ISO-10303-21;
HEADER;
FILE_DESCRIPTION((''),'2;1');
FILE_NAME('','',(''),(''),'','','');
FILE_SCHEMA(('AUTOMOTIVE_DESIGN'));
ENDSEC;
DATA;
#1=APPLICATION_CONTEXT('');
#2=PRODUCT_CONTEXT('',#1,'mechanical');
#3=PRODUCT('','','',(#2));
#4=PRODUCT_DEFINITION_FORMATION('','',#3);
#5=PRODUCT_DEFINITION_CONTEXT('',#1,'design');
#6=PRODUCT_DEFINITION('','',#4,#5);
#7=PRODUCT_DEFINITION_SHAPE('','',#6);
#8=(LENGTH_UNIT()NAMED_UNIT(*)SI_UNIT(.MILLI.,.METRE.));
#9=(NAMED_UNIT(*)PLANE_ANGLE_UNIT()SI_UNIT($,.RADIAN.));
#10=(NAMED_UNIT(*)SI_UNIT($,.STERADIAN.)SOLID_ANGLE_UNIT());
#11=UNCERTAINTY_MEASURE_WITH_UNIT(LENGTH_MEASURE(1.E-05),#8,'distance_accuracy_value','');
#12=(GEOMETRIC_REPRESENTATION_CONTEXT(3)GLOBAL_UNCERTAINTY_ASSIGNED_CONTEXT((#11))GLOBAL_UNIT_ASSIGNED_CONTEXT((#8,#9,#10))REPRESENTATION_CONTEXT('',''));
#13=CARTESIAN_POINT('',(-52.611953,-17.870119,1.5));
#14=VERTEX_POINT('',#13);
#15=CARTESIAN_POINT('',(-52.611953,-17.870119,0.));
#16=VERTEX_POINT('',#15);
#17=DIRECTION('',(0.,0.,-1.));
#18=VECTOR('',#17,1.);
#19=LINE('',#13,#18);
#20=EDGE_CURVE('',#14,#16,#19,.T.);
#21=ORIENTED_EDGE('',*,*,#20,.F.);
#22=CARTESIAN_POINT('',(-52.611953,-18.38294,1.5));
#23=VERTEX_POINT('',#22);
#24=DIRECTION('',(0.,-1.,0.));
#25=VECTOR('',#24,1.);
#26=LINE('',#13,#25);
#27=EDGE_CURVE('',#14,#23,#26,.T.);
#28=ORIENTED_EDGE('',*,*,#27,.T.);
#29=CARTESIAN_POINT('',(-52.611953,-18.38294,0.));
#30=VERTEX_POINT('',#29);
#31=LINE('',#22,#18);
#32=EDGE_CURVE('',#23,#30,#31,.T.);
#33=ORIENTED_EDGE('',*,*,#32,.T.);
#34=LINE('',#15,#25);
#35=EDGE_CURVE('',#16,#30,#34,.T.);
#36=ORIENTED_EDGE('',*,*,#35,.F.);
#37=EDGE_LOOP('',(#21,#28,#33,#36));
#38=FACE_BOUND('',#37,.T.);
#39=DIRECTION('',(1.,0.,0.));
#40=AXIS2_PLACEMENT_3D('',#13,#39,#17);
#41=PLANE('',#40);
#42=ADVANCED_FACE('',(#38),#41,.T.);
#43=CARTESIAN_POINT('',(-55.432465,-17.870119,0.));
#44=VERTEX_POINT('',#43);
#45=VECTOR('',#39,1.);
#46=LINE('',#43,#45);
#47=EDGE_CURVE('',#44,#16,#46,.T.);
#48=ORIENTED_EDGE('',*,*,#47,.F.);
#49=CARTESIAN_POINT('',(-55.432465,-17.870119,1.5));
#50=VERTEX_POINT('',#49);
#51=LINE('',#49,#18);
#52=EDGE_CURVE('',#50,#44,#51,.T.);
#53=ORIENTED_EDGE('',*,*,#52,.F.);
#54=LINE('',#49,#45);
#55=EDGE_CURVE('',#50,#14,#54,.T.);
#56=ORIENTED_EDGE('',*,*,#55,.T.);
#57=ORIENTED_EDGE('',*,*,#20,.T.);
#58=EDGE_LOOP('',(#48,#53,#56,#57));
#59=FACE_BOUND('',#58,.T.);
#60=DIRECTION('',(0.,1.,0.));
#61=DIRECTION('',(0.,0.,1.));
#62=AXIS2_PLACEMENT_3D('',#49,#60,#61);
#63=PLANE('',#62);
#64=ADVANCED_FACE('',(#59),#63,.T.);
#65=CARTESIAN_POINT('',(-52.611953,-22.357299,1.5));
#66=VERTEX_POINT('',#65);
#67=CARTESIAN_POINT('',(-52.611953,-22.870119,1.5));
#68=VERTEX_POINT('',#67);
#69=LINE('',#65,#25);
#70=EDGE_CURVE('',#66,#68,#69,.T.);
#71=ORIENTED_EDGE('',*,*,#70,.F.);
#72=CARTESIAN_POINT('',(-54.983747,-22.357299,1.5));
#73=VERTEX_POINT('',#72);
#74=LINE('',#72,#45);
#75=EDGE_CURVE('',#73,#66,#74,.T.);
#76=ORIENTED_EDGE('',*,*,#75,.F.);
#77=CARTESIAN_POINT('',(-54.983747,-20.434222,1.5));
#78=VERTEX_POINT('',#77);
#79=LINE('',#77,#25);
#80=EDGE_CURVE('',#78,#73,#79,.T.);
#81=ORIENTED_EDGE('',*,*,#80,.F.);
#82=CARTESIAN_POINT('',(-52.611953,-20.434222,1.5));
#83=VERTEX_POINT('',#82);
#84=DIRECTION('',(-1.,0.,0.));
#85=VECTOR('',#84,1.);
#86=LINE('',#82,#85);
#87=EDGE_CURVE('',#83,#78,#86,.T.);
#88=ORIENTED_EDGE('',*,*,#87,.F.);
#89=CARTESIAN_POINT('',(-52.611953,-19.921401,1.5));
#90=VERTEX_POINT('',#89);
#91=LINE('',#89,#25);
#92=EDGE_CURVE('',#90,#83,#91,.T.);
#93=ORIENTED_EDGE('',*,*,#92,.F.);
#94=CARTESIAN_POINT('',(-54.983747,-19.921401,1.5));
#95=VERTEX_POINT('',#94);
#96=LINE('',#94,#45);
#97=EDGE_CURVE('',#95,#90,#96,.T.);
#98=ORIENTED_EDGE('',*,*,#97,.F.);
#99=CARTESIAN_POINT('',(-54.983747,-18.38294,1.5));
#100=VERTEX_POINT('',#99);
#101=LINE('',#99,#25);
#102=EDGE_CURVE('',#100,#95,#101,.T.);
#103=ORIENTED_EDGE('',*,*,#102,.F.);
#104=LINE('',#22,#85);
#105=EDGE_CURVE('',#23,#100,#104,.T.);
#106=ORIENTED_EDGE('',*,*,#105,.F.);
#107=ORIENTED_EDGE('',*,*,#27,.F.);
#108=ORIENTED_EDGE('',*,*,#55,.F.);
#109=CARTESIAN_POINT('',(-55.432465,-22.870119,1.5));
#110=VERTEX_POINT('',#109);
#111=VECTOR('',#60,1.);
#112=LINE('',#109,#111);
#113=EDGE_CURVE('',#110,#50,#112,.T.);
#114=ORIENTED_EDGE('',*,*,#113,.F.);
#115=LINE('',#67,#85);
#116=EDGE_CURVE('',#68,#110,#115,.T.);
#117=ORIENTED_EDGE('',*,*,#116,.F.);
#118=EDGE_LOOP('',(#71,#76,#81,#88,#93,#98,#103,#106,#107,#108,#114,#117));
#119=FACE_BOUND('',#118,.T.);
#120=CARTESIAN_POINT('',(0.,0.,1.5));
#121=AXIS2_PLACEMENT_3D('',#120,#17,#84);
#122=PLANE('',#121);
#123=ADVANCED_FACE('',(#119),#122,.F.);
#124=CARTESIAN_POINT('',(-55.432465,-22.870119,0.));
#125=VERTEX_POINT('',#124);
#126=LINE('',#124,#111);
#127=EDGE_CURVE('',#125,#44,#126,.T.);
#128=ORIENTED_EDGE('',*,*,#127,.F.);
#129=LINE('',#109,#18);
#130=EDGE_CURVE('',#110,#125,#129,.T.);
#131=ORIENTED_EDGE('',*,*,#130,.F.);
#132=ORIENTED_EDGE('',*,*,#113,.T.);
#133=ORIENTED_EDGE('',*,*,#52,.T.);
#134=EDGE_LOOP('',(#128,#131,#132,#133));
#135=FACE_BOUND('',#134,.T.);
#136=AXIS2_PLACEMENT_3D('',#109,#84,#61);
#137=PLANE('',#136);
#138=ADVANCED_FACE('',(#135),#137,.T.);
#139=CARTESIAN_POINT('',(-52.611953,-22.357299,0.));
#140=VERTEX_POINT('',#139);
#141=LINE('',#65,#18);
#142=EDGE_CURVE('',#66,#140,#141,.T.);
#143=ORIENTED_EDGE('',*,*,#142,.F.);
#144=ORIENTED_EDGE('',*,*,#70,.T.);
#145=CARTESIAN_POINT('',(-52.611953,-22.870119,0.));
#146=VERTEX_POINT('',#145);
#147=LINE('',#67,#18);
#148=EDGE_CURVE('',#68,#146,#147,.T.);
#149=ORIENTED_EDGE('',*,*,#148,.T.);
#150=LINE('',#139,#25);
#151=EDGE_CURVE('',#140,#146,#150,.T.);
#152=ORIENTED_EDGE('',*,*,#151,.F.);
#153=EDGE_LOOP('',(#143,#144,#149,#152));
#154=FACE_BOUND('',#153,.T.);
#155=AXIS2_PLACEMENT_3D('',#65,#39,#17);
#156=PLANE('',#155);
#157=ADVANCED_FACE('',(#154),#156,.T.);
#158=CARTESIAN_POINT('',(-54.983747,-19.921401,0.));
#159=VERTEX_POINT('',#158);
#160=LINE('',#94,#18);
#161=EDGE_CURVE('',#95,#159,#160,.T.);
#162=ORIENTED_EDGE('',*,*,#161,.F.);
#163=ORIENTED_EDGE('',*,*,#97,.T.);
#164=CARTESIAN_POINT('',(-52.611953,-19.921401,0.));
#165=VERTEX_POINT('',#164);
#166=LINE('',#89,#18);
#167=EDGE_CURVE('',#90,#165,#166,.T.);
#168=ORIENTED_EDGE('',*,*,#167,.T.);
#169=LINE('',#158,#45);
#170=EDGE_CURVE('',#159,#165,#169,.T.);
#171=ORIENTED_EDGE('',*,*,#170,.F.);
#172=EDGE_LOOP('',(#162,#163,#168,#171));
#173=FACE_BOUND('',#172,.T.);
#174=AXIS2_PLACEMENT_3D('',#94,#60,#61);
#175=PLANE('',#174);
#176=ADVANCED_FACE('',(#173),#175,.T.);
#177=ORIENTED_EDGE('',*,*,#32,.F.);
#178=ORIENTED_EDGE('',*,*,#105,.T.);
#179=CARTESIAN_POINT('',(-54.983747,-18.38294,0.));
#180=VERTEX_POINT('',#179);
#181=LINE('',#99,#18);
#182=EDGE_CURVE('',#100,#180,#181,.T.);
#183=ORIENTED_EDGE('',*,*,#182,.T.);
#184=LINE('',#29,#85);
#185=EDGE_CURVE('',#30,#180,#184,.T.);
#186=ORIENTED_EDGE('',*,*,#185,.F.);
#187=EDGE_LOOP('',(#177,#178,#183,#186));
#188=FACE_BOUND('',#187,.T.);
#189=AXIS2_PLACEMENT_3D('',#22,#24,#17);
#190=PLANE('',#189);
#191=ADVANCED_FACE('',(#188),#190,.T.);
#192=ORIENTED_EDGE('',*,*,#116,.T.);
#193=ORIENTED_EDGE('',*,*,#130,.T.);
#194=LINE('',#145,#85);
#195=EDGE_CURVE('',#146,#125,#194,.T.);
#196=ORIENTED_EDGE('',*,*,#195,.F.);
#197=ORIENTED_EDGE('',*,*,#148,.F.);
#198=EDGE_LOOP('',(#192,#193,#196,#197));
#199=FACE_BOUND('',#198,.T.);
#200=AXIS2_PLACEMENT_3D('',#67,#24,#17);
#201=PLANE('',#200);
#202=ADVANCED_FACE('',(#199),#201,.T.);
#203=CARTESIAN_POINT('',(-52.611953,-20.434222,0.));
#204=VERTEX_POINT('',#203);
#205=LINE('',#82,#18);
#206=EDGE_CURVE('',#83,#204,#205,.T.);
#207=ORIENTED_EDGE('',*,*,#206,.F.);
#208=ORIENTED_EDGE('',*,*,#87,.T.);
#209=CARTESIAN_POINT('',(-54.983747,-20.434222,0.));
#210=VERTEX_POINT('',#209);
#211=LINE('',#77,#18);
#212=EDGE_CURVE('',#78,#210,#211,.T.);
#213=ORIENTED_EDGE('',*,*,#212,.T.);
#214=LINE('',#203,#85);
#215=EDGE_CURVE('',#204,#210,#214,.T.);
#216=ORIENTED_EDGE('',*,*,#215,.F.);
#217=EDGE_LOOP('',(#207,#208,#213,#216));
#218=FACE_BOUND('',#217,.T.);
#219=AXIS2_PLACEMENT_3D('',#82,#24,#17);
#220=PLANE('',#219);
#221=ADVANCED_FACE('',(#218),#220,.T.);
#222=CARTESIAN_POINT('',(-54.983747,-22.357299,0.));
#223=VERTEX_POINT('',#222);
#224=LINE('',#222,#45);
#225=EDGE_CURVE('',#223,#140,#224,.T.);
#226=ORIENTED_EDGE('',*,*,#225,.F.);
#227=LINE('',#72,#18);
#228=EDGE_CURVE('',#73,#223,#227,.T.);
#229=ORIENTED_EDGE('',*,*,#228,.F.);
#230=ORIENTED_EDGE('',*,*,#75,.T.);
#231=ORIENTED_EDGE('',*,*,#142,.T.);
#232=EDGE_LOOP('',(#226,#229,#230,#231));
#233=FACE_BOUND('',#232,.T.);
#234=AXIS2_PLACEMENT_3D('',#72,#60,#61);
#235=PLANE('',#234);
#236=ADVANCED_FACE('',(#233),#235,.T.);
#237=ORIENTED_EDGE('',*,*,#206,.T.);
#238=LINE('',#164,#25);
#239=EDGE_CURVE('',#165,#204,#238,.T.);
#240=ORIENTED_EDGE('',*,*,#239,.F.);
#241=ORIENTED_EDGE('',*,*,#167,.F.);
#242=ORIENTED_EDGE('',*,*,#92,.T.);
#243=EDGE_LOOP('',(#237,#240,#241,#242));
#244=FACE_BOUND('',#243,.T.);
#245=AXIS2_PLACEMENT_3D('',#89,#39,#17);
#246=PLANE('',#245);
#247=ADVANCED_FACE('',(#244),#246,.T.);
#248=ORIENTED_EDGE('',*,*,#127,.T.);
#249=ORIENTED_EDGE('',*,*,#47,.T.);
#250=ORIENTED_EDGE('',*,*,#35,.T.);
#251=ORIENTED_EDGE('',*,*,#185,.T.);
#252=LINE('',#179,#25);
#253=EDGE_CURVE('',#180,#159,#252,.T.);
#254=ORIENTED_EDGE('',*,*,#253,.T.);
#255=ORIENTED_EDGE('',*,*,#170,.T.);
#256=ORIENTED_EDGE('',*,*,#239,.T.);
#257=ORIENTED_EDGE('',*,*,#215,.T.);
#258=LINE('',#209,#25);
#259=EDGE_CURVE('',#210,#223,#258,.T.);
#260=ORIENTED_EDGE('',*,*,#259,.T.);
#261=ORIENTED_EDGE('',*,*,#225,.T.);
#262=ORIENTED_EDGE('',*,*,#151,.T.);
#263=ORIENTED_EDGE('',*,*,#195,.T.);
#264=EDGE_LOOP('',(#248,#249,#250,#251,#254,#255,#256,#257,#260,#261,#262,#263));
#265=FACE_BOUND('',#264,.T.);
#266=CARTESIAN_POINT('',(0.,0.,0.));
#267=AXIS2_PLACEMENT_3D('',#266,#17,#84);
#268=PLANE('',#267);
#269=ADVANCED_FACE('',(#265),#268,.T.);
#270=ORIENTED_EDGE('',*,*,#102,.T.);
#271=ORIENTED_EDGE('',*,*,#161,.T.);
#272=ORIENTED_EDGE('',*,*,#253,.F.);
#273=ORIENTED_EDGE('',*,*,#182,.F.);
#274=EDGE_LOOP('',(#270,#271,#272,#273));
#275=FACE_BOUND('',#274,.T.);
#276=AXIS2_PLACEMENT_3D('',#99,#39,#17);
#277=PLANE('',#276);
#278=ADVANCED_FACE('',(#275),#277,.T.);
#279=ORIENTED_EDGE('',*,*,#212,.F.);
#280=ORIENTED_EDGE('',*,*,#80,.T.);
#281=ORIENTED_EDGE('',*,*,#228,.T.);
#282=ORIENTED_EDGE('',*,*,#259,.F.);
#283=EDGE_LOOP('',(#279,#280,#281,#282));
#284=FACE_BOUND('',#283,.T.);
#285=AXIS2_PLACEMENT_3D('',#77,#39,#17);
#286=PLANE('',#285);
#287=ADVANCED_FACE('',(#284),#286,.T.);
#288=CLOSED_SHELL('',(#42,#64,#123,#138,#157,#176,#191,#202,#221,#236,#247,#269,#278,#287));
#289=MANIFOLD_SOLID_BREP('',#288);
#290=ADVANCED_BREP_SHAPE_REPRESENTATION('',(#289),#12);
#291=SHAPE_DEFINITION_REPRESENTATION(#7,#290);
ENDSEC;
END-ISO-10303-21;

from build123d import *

# Parameters (mm, degrees)
BOSS_EXTRU_1_DEPTH = 1.5


with BuildPart() as part:
    # Esquisse1 → Boss.-Extru.1 (new body)
    with BuildSketch(Plane.XY):
        Polygon((-55.432465326, -17.870119076), (-52.611952505, -17.870119076), (-52.611952505, -18.382939589), (-54.983747377, -18.382939589), (-54.983747377, -19.921401128), (-52.611952505, -19.921401128), (-52.611952505, -20.43422164), (-54.983747377, -20.43422164), (-54.983747377, -22.357298563), (-52.611952505, -22.357298563), (-52.611952505, -22.870119076), (-55.432465326, -22.870119076), align=None)
    extrude(amount=BOSS_EXTRU_1_DEPTH)


solid = part.part
